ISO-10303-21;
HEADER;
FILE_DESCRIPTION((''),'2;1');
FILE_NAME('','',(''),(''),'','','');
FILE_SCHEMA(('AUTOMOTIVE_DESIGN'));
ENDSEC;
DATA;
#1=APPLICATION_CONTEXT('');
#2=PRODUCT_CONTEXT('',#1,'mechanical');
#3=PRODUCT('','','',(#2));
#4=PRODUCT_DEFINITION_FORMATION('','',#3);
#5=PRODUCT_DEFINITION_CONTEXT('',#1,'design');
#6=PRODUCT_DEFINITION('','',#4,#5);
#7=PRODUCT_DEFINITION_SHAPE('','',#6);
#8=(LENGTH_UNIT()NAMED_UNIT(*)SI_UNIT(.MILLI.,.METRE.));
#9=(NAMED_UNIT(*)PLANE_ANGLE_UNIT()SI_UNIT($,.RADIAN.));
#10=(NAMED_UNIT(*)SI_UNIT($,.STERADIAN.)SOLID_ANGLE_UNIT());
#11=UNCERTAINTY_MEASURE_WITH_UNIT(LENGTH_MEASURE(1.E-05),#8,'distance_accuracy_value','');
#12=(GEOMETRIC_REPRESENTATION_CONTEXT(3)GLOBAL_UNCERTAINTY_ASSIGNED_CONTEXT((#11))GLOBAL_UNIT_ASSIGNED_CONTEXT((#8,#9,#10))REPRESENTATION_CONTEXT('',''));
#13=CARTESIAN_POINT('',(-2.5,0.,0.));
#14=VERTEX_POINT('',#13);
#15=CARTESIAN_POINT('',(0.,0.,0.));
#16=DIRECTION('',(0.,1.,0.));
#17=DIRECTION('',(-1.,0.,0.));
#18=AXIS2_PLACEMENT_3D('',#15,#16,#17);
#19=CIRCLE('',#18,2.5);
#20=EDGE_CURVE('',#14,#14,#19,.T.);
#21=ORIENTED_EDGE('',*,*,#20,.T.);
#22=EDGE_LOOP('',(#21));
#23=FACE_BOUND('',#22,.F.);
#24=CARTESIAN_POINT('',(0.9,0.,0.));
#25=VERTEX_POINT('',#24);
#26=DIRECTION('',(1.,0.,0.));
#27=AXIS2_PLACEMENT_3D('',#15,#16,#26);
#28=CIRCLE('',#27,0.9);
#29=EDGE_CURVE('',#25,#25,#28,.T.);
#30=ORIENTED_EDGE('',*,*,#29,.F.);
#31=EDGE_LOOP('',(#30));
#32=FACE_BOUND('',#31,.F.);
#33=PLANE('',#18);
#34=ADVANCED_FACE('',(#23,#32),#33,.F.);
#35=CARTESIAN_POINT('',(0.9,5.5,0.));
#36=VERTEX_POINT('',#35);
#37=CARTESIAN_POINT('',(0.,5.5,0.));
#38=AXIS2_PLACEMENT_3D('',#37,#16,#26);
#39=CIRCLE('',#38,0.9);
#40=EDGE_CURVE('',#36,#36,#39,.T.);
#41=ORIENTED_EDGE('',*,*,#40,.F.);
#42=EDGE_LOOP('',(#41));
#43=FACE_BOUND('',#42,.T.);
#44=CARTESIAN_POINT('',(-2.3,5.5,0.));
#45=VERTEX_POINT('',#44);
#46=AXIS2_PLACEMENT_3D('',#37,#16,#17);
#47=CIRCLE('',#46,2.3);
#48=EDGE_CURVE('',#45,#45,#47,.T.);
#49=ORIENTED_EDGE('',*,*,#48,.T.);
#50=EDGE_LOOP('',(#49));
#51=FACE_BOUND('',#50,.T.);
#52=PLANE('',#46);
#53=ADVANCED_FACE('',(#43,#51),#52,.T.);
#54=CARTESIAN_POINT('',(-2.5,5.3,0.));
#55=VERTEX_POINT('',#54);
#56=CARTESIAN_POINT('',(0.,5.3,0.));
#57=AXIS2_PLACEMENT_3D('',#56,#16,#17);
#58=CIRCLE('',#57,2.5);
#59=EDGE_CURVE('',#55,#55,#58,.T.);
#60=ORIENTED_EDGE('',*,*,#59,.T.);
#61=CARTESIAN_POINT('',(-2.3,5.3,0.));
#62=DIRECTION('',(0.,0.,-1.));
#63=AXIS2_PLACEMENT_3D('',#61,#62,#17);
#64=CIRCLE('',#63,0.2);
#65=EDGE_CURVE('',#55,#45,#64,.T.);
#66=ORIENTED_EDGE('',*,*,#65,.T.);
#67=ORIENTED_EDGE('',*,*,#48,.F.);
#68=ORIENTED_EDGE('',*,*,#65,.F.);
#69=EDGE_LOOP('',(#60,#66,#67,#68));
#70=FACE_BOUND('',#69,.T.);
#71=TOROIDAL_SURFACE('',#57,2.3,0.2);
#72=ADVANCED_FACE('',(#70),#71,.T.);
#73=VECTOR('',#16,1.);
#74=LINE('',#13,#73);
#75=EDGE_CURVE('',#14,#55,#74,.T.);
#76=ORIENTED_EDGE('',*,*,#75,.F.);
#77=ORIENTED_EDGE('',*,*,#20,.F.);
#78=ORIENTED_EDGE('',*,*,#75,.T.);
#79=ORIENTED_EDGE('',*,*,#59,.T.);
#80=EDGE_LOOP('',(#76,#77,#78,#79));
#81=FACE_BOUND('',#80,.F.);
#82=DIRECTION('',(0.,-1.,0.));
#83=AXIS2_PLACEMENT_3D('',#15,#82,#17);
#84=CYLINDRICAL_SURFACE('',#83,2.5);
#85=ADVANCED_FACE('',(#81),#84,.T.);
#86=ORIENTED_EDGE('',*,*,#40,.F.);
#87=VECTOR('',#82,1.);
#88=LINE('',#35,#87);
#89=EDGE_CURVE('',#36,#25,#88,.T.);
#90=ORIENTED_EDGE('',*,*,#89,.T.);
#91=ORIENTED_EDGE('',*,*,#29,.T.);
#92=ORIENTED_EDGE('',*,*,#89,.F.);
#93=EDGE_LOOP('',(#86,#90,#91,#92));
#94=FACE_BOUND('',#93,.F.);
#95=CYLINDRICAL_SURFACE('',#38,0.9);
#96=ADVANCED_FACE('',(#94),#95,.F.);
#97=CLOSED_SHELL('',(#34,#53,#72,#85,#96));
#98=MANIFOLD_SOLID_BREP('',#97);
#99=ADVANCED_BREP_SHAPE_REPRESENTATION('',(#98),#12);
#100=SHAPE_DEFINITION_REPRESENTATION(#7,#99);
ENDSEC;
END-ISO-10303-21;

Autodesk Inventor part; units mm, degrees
ref_plane "YZ Plane" through (0, 0, 0) normal (1, 0, 0) x (0, 1, 0)
ref_plane "XZ Plane" through (0, 0, 0) normal (0, 1, 0) x (-1, 0, 0)
ref_plane "XY Plane" through (0, 0, 0) normal (0, 0, 1) x (1, 0, 0)
sketch "Sketch1" plane through (0, 0, 0) normal (0, 1, 0) x (-1, 0, 0)
  circle A0 centre (0, 0) radius 2.5
  dimension "d0" = 5
extrude "Extrusion1" add sketch "Sketch1" along normal blind 5.5
fillet "Fillet1" radius 0.2 1 edges at (2.5, 5.5, 0)
sketch "Sketch2" plane through (0, 5.5, 0) normal (0, 1, 0) x (1, 0, 0)
  circle A0 centre (0, 0) radius 0.9
  dimension "d4" = 1.8
extrude "Extrusion2" cut sketch "Sketch2" against normal blind 6
properties material "ABS Plastic"
